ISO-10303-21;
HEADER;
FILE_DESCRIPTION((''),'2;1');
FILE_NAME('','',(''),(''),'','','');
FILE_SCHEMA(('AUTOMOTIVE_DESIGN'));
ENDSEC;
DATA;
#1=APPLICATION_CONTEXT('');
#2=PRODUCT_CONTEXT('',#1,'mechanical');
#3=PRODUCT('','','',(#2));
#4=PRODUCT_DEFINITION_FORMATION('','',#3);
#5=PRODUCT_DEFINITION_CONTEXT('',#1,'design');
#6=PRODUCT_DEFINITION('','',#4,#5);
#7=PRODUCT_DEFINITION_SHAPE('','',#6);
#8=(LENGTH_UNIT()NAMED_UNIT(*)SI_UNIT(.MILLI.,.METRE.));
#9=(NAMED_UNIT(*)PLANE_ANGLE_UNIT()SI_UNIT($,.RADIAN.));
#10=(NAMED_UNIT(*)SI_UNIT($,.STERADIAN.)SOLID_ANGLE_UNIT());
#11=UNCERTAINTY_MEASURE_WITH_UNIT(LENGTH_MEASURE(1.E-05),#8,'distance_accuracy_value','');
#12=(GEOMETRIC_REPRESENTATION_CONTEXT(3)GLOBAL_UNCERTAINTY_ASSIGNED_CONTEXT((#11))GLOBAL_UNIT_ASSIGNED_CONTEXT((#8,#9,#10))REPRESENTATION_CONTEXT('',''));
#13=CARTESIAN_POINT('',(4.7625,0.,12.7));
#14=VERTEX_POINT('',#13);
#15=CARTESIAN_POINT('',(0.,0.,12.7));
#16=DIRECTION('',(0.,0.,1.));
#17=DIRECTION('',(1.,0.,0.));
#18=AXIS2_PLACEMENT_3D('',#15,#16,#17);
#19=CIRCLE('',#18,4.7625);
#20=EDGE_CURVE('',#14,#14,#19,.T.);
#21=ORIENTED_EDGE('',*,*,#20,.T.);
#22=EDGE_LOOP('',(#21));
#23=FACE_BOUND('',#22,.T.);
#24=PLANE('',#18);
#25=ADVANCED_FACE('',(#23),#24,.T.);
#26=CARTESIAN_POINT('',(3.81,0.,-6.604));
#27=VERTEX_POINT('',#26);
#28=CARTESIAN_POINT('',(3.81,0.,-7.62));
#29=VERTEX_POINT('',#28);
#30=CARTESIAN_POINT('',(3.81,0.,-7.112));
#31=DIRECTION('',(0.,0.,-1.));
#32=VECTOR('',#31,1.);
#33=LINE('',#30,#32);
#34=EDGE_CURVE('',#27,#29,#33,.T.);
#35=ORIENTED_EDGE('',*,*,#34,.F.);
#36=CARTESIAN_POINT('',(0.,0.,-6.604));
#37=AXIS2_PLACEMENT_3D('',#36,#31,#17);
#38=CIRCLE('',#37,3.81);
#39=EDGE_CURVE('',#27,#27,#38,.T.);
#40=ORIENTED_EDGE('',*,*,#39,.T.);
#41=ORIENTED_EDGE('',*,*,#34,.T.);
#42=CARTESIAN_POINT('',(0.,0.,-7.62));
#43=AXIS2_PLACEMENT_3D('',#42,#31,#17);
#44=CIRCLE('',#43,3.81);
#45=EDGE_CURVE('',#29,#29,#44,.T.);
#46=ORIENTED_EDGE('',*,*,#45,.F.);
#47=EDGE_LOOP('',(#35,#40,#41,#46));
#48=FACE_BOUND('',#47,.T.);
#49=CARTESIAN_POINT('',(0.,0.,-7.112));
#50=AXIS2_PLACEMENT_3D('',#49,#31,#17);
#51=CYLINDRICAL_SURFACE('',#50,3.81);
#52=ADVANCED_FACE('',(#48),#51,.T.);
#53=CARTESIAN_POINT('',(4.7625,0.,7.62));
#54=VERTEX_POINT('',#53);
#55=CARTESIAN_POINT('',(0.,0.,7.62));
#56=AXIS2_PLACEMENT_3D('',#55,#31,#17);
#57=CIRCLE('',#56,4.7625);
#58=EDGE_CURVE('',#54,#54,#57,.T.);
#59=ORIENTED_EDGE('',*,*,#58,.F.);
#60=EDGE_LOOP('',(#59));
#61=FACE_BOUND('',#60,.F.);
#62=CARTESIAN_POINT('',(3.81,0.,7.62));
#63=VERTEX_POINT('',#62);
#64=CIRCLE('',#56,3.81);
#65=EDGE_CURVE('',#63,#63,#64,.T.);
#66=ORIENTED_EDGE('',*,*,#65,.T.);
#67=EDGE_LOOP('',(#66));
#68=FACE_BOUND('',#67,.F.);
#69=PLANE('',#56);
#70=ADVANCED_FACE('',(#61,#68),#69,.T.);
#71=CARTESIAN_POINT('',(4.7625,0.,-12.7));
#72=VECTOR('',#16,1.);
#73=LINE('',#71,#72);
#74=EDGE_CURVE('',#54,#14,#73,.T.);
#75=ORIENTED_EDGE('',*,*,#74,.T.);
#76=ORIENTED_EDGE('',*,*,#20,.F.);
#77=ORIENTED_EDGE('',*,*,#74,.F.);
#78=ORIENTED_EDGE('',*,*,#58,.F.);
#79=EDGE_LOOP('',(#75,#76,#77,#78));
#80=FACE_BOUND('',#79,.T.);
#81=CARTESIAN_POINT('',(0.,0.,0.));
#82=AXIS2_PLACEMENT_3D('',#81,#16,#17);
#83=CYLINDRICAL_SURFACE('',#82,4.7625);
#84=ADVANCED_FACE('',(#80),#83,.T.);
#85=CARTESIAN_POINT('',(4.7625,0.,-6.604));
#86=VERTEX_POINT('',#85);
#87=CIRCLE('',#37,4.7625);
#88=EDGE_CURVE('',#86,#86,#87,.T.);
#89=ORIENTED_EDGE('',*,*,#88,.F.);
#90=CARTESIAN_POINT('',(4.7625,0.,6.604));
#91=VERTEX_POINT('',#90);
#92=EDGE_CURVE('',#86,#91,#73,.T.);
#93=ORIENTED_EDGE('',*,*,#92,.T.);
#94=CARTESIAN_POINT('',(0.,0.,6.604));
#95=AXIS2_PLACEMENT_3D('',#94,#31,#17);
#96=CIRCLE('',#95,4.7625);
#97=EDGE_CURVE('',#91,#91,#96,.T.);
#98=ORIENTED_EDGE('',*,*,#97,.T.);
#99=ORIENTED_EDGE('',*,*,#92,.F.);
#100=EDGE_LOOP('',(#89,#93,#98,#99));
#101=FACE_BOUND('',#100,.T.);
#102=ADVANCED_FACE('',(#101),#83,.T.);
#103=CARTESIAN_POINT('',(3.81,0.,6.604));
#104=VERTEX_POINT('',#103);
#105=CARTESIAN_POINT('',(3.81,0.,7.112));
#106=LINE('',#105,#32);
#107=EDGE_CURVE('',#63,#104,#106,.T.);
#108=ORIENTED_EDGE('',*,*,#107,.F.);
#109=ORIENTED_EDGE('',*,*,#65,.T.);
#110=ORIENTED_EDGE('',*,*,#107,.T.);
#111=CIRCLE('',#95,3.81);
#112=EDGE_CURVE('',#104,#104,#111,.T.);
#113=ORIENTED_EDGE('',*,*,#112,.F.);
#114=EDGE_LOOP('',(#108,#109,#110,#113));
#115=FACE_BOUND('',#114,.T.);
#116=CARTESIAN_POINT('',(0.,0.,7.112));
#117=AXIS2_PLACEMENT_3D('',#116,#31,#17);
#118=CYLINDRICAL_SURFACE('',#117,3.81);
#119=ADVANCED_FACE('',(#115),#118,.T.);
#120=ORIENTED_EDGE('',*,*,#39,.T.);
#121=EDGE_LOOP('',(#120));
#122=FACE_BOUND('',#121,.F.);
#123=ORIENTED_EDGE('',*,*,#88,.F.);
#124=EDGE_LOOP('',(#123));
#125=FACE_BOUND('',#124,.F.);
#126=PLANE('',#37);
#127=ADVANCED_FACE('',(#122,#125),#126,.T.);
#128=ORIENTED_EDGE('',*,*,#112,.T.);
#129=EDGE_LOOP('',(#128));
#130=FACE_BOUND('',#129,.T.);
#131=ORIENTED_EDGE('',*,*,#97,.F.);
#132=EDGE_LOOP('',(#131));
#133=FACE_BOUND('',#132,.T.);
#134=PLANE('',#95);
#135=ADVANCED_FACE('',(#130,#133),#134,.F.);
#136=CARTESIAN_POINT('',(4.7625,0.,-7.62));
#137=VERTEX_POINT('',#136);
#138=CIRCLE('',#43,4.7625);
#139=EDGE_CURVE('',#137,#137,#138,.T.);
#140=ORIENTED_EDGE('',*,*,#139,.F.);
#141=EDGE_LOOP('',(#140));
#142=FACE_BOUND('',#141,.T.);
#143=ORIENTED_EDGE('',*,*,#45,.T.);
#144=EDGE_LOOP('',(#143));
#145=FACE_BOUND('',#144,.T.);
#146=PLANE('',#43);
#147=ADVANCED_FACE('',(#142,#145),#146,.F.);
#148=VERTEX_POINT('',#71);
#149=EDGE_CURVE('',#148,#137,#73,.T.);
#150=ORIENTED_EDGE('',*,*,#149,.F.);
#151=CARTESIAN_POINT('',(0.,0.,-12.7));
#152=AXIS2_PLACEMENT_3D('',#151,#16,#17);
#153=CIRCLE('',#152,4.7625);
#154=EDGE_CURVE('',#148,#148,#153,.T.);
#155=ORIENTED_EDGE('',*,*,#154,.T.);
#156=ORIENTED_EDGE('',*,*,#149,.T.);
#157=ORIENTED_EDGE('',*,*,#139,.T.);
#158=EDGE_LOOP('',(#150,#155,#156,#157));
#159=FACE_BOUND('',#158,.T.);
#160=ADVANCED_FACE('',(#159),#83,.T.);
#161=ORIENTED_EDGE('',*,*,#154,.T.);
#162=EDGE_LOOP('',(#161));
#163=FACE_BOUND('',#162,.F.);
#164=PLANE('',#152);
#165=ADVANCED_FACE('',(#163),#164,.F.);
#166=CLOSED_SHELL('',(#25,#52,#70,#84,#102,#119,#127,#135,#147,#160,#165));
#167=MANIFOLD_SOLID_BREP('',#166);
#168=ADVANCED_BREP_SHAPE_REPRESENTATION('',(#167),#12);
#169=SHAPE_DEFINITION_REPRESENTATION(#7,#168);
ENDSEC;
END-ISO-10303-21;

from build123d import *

# Parameters (mm, degrees)
SKETCH1_R           = 4.7625
BOSS_EXTRUDE1_DEPTH = 12.7
SKETCH2_W           = 0.9525
SKETCH2_H           = 1.016


with BuildPart() as part:
    # Sketch1 → Boss-Extrude1 (new body, symmetric)
    with BuildSketch(Plane.XY):
        Circle(SKETCH1_R)
    extrude(amount=BOSS_EXTRUDE1_DEPTH, both=True)

    # Sketch2 → Cut-Revolve1 (revolve, cut)
    with BuildSketch(Plane(origin=(0, 0, 0), x_dir=(1, 0, 0), z_dir=(0, 1, 0))):
        with Locations((4.28625, 7.112)):
            Rectangle(SKETCH2_W, SKETCH2_H)
        with Locations((4.28625, -7.112)):
            Rectangle(SKETCH2_W, SKETCH2_H)
    revolve(axis=Axis((0, 0, 12.7), (0, 0, -1)), mode=Mode.SUBTRACT)


solid = part.part
